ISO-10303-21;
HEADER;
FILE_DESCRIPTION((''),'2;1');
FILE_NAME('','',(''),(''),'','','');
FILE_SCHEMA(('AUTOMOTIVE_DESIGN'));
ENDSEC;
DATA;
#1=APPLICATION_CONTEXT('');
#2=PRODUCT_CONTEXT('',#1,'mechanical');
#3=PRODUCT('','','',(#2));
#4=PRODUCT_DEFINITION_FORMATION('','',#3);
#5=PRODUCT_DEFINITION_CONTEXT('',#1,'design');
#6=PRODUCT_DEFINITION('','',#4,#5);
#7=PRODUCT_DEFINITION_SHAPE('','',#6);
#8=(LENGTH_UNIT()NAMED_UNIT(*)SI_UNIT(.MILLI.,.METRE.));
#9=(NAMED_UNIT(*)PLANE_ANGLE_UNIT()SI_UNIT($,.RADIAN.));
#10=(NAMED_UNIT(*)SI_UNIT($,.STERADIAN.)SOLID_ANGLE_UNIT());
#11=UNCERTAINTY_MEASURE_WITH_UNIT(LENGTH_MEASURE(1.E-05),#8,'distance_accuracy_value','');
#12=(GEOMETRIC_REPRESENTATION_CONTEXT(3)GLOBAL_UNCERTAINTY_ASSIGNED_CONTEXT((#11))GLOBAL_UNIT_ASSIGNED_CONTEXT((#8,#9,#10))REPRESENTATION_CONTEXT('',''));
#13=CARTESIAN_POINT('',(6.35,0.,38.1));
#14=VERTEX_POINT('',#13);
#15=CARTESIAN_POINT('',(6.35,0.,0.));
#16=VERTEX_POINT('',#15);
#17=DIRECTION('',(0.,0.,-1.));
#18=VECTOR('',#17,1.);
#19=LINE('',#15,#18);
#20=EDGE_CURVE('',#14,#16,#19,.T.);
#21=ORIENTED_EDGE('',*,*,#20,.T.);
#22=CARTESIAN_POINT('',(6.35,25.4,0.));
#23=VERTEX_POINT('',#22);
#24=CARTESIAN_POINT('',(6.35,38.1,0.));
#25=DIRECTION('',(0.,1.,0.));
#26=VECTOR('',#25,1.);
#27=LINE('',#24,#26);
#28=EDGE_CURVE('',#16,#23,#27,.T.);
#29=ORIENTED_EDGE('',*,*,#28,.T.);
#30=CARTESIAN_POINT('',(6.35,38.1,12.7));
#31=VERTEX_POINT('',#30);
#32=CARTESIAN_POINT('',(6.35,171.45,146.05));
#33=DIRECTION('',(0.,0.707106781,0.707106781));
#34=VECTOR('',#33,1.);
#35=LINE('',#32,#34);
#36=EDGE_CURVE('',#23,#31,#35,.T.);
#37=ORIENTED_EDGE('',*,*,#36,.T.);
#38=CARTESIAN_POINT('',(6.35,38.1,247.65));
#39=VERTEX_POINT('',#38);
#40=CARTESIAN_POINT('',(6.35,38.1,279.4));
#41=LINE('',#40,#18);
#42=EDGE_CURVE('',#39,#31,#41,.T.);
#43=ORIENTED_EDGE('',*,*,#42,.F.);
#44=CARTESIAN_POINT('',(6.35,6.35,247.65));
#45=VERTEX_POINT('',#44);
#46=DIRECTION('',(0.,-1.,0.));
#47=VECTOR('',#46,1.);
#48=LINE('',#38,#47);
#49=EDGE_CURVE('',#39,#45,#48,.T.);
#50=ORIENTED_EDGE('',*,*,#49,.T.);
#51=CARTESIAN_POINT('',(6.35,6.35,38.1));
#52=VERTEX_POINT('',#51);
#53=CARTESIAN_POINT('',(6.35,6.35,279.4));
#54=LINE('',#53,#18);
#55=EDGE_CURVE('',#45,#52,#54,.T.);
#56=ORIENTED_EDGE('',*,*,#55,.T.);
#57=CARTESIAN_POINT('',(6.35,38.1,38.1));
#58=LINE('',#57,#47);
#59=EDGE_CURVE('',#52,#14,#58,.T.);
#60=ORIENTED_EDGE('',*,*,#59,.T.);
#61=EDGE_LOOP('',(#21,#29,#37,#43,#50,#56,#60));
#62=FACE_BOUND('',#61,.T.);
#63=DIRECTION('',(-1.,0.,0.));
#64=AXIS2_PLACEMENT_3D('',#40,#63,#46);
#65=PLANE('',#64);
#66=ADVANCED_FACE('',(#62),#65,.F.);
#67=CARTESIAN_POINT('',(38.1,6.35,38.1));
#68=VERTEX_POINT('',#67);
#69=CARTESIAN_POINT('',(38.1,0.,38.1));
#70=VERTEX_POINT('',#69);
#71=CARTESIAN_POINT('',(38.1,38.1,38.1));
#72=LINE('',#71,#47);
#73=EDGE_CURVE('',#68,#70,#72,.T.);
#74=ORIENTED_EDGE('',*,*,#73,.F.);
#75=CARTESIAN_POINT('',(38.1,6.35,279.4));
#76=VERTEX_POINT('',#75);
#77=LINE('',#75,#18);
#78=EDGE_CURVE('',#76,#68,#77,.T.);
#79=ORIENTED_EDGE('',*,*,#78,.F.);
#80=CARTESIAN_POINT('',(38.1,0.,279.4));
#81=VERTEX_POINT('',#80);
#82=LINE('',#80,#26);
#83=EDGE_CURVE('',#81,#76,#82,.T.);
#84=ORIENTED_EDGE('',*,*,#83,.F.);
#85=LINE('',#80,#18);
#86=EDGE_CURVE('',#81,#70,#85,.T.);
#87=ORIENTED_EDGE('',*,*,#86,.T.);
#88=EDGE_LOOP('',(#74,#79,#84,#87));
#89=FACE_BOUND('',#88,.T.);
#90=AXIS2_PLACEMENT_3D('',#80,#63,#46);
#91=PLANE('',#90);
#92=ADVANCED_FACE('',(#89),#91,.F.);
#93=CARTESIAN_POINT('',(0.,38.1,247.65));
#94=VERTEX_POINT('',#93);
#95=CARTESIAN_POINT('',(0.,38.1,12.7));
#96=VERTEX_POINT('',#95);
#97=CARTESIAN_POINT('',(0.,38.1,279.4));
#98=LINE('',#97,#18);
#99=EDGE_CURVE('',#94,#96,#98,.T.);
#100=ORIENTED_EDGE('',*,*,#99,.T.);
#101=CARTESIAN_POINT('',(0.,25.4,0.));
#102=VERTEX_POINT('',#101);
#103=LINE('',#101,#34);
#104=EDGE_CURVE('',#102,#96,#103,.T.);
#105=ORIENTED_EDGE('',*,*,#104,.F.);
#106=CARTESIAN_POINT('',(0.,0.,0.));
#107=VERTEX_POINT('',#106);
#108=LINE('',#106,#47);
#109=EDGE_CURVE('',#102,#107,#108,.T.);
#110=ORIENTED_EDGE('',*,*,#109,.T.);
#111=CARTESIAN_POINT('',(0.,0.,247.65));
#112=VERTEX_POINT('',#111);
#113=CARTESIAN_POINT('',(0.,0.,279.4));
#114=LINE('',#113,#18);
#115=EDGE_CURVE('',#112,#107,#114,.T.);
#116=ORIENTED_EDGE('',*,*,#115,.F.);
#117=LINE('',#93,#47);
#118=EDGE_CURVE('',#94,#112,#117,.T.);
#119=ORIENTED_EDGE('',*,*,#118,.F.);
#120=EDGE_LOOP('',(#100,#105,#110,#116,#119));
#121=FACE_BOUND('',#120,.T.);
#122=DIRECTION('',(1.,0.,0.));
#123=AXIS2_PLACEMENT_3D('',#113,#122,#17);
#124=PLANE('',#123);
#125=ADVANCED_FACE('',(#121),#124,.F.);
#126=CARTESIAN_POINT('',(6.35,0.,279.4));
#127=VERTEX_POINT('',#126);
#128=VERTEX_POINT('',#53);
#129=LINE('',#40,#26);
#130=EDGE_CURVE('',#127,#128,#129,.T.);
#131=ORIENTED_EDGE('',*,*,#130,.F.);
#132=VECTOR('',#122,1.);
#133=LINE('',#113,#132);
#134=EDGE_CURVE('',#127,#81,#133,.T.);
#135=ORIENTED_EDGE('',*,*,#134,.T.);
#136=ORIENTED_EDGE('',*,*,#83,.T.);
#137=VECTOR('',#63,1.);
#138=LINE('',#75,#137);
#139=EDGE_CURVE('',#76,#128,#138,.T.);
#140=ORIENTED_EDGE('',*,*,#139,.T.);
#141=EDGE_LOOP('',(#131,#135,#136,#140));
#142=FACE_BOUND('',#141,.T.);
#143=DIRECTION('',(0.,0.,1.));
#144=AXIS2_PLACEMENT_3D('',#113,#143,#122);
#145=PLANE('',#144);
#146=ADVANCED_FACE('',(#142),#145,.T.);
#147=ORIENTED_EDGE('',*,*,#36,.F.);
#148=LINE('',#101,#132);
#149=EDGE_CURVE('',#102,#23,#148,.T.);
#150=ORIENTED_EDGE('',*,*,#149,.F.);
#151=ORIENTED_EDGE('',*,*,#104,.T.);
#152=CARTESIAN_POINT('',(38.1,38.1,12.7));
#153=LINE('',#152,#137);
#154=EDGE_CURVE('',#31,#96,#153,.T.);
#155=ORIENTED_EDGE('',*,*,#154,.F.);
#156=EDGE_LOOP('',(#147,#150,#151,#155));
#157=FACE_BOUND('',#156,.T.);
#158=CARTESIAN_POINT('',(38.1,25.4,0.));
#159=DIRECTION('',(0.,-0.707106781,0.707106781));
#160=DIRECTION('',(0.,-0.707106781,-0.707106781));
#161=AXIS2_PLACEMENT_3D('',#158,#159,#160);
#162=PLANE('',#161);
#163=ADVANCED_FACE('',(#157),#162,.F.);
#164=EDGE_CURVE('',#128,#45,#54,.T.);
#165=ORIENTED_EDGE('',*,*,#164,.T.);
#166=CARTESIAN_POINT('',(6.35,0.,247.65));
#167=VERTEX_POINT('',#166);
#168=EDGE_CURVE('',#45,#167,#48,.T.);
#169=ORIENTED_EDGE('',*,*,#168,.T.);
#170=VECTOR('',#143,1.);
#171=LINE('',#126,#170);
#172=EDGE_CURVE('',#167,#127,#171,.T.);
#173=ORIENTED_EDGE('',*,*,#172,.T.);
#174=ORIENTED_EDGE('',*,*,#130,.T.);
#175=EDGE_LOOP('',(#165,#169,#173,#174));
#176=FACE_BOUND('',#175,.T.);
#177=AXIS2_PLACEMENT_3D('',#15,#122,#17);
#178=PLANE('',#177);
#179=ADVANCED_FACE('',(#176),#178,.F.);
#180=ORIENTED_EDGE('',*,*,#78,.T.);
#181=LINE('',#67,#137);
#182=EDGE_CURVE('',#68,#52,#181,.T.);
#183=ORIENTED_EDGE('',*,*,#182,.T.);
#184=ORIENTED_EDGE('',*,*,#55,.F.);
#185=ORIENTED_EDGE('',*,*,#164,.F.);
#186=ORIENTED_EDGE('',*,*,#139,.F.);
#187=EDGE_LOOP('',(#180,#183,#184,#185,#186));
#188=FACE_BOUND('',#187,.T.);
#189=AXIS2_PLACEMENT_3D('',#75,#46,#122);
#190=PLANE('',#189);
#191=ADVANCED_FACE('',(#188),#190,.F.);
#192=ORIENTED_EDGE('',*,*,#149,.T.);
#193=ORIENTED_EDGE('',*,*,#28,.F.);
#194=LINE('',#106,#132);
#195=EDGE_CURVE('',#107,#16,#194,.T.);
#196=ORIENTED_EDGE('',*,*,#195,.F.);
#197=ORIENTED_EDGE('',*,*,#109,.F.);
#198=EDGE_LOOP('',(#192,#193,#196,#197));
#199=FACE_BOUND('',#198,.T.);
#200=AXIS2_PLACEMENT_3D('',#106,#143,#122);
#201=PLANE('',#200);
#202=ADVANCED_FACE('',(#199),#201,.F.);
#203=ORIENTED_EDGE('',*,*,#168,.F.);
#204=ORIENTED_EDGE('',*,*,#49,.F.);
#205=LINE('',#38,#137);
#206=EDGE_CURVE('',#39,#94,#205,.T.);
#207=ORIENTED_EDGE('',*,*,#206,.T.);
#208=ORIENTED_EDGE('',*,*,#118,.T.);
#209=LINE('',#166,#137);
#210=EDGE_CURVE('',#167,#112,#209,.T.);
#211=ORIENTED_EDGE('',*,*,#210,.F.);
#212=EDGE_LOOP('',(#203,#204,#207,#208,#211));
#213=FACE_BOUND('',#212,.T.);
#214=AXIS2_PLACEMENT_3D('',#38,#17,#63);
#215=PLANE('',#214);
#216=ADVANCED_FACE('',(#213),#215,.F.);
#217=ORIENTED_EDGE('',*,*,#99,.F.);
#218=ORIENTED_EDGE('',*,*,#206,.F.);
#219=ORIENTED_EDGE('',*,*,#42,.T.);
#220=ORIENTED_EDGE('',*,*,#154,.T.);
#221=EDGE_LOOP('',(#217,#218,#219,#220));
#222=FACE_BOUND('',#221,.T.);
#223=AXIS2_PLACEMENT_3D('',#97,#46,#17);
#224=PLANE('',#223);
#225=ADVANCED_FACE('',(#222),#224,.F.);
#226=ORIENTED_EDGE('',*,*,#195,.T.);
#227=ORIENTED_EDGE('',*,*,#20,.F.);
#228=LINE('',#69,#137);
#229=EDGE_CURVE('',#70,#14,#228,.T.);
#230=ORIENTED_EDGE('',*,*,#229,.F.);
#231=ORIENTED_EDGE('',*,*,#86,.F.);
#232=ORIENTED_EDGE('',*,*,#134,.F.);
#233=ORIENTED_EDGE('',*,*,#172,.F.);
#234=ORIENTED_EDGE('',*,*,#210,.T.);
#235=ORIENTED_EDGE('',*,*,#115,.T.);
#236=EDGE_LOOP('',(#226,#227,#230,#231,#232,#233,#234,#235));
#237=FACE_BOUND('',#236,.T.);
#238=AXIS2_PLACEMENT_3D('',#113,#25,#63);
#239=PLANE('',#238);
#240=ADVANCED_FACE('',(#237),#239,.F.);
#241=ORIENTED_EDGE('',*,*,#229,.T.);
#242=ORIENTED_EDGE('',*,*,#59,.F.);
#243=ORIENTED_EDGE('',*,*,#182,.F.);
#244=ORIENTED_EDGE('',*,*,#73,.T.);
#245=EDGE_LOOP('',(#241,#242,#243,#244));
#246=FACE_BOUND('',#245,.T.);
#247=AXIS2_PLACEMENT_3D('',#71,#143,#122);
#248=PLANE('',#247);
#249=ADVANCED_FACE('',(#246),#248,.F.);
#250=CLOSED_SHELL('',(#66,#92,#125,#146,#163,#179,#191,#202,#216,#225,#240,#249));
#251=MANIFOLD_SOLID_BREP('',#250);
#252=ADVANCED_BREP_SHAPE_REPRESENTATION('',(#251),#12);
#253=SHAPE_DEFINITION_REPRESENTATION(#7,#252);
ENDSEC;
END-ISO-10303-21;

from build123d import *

# Parameters (mm, degrees)
BOSS_EXTRUDE1_DEPTH = 279.4
SKETCH2_W           = 31.75
SKETCH2_H           = 38.1
CUT_EXTRUDE1_DEPTH  = 6.35
SKETCH3_W           = 31.75
SKETCH3_H           = 38.1
CUT_EXTRUDE2_DEPTH  = 39.1
CUT_EXTRUDE3_DEPTH  = 39.1


with BuildPart() as part:
    # Sketch1 → Boss-Extrude1 (new body)
    with BuildSketch(Plane.XY):
        Polygon((0, 0), (0, 38.1), (6.35, 38.1), (6.35, 6.35), (38.1, 6.35), (38.1, 0), align=None)
    extrude(amount=BOSS_EXTRUDE1_DEPTH)

    # Sketch2 → Cut-Extrude1 (cut)
    with BuildSketch(Plane.ZY):
        with Locations((263.525, 19.05)):
            Rectangle(SKETCH2_W, SKETCH2_H)
    extrude(amount=-CUT_EXTRUDE1_DEPTH, mode=Mode.SUBTRACT)

    # Sketch3 → Cut-Extrude2 (cut, through all)
    with BuildSketch(Plane.XZ):
        with Locations((22.225, 19.05)):
            Rectangle(SKETCH3_W, SKETCH3_H)
    extrude(amount=-CUT_EXTRUDE2_DEPTH, mode=Mode.SUBTRACT)

    # Sketch4 → Cut-Extrude3 (cut, through all)
    with BuildSketch(Plane.ZY):
        Polygon((0, 38.1), (0, 25.4), (12.7, 38.1), align=None)
    extrude(amount=-CUT_EXTRUDE3_DEPTH, mode=Mode.SUBTRACT)


solid = part.part
